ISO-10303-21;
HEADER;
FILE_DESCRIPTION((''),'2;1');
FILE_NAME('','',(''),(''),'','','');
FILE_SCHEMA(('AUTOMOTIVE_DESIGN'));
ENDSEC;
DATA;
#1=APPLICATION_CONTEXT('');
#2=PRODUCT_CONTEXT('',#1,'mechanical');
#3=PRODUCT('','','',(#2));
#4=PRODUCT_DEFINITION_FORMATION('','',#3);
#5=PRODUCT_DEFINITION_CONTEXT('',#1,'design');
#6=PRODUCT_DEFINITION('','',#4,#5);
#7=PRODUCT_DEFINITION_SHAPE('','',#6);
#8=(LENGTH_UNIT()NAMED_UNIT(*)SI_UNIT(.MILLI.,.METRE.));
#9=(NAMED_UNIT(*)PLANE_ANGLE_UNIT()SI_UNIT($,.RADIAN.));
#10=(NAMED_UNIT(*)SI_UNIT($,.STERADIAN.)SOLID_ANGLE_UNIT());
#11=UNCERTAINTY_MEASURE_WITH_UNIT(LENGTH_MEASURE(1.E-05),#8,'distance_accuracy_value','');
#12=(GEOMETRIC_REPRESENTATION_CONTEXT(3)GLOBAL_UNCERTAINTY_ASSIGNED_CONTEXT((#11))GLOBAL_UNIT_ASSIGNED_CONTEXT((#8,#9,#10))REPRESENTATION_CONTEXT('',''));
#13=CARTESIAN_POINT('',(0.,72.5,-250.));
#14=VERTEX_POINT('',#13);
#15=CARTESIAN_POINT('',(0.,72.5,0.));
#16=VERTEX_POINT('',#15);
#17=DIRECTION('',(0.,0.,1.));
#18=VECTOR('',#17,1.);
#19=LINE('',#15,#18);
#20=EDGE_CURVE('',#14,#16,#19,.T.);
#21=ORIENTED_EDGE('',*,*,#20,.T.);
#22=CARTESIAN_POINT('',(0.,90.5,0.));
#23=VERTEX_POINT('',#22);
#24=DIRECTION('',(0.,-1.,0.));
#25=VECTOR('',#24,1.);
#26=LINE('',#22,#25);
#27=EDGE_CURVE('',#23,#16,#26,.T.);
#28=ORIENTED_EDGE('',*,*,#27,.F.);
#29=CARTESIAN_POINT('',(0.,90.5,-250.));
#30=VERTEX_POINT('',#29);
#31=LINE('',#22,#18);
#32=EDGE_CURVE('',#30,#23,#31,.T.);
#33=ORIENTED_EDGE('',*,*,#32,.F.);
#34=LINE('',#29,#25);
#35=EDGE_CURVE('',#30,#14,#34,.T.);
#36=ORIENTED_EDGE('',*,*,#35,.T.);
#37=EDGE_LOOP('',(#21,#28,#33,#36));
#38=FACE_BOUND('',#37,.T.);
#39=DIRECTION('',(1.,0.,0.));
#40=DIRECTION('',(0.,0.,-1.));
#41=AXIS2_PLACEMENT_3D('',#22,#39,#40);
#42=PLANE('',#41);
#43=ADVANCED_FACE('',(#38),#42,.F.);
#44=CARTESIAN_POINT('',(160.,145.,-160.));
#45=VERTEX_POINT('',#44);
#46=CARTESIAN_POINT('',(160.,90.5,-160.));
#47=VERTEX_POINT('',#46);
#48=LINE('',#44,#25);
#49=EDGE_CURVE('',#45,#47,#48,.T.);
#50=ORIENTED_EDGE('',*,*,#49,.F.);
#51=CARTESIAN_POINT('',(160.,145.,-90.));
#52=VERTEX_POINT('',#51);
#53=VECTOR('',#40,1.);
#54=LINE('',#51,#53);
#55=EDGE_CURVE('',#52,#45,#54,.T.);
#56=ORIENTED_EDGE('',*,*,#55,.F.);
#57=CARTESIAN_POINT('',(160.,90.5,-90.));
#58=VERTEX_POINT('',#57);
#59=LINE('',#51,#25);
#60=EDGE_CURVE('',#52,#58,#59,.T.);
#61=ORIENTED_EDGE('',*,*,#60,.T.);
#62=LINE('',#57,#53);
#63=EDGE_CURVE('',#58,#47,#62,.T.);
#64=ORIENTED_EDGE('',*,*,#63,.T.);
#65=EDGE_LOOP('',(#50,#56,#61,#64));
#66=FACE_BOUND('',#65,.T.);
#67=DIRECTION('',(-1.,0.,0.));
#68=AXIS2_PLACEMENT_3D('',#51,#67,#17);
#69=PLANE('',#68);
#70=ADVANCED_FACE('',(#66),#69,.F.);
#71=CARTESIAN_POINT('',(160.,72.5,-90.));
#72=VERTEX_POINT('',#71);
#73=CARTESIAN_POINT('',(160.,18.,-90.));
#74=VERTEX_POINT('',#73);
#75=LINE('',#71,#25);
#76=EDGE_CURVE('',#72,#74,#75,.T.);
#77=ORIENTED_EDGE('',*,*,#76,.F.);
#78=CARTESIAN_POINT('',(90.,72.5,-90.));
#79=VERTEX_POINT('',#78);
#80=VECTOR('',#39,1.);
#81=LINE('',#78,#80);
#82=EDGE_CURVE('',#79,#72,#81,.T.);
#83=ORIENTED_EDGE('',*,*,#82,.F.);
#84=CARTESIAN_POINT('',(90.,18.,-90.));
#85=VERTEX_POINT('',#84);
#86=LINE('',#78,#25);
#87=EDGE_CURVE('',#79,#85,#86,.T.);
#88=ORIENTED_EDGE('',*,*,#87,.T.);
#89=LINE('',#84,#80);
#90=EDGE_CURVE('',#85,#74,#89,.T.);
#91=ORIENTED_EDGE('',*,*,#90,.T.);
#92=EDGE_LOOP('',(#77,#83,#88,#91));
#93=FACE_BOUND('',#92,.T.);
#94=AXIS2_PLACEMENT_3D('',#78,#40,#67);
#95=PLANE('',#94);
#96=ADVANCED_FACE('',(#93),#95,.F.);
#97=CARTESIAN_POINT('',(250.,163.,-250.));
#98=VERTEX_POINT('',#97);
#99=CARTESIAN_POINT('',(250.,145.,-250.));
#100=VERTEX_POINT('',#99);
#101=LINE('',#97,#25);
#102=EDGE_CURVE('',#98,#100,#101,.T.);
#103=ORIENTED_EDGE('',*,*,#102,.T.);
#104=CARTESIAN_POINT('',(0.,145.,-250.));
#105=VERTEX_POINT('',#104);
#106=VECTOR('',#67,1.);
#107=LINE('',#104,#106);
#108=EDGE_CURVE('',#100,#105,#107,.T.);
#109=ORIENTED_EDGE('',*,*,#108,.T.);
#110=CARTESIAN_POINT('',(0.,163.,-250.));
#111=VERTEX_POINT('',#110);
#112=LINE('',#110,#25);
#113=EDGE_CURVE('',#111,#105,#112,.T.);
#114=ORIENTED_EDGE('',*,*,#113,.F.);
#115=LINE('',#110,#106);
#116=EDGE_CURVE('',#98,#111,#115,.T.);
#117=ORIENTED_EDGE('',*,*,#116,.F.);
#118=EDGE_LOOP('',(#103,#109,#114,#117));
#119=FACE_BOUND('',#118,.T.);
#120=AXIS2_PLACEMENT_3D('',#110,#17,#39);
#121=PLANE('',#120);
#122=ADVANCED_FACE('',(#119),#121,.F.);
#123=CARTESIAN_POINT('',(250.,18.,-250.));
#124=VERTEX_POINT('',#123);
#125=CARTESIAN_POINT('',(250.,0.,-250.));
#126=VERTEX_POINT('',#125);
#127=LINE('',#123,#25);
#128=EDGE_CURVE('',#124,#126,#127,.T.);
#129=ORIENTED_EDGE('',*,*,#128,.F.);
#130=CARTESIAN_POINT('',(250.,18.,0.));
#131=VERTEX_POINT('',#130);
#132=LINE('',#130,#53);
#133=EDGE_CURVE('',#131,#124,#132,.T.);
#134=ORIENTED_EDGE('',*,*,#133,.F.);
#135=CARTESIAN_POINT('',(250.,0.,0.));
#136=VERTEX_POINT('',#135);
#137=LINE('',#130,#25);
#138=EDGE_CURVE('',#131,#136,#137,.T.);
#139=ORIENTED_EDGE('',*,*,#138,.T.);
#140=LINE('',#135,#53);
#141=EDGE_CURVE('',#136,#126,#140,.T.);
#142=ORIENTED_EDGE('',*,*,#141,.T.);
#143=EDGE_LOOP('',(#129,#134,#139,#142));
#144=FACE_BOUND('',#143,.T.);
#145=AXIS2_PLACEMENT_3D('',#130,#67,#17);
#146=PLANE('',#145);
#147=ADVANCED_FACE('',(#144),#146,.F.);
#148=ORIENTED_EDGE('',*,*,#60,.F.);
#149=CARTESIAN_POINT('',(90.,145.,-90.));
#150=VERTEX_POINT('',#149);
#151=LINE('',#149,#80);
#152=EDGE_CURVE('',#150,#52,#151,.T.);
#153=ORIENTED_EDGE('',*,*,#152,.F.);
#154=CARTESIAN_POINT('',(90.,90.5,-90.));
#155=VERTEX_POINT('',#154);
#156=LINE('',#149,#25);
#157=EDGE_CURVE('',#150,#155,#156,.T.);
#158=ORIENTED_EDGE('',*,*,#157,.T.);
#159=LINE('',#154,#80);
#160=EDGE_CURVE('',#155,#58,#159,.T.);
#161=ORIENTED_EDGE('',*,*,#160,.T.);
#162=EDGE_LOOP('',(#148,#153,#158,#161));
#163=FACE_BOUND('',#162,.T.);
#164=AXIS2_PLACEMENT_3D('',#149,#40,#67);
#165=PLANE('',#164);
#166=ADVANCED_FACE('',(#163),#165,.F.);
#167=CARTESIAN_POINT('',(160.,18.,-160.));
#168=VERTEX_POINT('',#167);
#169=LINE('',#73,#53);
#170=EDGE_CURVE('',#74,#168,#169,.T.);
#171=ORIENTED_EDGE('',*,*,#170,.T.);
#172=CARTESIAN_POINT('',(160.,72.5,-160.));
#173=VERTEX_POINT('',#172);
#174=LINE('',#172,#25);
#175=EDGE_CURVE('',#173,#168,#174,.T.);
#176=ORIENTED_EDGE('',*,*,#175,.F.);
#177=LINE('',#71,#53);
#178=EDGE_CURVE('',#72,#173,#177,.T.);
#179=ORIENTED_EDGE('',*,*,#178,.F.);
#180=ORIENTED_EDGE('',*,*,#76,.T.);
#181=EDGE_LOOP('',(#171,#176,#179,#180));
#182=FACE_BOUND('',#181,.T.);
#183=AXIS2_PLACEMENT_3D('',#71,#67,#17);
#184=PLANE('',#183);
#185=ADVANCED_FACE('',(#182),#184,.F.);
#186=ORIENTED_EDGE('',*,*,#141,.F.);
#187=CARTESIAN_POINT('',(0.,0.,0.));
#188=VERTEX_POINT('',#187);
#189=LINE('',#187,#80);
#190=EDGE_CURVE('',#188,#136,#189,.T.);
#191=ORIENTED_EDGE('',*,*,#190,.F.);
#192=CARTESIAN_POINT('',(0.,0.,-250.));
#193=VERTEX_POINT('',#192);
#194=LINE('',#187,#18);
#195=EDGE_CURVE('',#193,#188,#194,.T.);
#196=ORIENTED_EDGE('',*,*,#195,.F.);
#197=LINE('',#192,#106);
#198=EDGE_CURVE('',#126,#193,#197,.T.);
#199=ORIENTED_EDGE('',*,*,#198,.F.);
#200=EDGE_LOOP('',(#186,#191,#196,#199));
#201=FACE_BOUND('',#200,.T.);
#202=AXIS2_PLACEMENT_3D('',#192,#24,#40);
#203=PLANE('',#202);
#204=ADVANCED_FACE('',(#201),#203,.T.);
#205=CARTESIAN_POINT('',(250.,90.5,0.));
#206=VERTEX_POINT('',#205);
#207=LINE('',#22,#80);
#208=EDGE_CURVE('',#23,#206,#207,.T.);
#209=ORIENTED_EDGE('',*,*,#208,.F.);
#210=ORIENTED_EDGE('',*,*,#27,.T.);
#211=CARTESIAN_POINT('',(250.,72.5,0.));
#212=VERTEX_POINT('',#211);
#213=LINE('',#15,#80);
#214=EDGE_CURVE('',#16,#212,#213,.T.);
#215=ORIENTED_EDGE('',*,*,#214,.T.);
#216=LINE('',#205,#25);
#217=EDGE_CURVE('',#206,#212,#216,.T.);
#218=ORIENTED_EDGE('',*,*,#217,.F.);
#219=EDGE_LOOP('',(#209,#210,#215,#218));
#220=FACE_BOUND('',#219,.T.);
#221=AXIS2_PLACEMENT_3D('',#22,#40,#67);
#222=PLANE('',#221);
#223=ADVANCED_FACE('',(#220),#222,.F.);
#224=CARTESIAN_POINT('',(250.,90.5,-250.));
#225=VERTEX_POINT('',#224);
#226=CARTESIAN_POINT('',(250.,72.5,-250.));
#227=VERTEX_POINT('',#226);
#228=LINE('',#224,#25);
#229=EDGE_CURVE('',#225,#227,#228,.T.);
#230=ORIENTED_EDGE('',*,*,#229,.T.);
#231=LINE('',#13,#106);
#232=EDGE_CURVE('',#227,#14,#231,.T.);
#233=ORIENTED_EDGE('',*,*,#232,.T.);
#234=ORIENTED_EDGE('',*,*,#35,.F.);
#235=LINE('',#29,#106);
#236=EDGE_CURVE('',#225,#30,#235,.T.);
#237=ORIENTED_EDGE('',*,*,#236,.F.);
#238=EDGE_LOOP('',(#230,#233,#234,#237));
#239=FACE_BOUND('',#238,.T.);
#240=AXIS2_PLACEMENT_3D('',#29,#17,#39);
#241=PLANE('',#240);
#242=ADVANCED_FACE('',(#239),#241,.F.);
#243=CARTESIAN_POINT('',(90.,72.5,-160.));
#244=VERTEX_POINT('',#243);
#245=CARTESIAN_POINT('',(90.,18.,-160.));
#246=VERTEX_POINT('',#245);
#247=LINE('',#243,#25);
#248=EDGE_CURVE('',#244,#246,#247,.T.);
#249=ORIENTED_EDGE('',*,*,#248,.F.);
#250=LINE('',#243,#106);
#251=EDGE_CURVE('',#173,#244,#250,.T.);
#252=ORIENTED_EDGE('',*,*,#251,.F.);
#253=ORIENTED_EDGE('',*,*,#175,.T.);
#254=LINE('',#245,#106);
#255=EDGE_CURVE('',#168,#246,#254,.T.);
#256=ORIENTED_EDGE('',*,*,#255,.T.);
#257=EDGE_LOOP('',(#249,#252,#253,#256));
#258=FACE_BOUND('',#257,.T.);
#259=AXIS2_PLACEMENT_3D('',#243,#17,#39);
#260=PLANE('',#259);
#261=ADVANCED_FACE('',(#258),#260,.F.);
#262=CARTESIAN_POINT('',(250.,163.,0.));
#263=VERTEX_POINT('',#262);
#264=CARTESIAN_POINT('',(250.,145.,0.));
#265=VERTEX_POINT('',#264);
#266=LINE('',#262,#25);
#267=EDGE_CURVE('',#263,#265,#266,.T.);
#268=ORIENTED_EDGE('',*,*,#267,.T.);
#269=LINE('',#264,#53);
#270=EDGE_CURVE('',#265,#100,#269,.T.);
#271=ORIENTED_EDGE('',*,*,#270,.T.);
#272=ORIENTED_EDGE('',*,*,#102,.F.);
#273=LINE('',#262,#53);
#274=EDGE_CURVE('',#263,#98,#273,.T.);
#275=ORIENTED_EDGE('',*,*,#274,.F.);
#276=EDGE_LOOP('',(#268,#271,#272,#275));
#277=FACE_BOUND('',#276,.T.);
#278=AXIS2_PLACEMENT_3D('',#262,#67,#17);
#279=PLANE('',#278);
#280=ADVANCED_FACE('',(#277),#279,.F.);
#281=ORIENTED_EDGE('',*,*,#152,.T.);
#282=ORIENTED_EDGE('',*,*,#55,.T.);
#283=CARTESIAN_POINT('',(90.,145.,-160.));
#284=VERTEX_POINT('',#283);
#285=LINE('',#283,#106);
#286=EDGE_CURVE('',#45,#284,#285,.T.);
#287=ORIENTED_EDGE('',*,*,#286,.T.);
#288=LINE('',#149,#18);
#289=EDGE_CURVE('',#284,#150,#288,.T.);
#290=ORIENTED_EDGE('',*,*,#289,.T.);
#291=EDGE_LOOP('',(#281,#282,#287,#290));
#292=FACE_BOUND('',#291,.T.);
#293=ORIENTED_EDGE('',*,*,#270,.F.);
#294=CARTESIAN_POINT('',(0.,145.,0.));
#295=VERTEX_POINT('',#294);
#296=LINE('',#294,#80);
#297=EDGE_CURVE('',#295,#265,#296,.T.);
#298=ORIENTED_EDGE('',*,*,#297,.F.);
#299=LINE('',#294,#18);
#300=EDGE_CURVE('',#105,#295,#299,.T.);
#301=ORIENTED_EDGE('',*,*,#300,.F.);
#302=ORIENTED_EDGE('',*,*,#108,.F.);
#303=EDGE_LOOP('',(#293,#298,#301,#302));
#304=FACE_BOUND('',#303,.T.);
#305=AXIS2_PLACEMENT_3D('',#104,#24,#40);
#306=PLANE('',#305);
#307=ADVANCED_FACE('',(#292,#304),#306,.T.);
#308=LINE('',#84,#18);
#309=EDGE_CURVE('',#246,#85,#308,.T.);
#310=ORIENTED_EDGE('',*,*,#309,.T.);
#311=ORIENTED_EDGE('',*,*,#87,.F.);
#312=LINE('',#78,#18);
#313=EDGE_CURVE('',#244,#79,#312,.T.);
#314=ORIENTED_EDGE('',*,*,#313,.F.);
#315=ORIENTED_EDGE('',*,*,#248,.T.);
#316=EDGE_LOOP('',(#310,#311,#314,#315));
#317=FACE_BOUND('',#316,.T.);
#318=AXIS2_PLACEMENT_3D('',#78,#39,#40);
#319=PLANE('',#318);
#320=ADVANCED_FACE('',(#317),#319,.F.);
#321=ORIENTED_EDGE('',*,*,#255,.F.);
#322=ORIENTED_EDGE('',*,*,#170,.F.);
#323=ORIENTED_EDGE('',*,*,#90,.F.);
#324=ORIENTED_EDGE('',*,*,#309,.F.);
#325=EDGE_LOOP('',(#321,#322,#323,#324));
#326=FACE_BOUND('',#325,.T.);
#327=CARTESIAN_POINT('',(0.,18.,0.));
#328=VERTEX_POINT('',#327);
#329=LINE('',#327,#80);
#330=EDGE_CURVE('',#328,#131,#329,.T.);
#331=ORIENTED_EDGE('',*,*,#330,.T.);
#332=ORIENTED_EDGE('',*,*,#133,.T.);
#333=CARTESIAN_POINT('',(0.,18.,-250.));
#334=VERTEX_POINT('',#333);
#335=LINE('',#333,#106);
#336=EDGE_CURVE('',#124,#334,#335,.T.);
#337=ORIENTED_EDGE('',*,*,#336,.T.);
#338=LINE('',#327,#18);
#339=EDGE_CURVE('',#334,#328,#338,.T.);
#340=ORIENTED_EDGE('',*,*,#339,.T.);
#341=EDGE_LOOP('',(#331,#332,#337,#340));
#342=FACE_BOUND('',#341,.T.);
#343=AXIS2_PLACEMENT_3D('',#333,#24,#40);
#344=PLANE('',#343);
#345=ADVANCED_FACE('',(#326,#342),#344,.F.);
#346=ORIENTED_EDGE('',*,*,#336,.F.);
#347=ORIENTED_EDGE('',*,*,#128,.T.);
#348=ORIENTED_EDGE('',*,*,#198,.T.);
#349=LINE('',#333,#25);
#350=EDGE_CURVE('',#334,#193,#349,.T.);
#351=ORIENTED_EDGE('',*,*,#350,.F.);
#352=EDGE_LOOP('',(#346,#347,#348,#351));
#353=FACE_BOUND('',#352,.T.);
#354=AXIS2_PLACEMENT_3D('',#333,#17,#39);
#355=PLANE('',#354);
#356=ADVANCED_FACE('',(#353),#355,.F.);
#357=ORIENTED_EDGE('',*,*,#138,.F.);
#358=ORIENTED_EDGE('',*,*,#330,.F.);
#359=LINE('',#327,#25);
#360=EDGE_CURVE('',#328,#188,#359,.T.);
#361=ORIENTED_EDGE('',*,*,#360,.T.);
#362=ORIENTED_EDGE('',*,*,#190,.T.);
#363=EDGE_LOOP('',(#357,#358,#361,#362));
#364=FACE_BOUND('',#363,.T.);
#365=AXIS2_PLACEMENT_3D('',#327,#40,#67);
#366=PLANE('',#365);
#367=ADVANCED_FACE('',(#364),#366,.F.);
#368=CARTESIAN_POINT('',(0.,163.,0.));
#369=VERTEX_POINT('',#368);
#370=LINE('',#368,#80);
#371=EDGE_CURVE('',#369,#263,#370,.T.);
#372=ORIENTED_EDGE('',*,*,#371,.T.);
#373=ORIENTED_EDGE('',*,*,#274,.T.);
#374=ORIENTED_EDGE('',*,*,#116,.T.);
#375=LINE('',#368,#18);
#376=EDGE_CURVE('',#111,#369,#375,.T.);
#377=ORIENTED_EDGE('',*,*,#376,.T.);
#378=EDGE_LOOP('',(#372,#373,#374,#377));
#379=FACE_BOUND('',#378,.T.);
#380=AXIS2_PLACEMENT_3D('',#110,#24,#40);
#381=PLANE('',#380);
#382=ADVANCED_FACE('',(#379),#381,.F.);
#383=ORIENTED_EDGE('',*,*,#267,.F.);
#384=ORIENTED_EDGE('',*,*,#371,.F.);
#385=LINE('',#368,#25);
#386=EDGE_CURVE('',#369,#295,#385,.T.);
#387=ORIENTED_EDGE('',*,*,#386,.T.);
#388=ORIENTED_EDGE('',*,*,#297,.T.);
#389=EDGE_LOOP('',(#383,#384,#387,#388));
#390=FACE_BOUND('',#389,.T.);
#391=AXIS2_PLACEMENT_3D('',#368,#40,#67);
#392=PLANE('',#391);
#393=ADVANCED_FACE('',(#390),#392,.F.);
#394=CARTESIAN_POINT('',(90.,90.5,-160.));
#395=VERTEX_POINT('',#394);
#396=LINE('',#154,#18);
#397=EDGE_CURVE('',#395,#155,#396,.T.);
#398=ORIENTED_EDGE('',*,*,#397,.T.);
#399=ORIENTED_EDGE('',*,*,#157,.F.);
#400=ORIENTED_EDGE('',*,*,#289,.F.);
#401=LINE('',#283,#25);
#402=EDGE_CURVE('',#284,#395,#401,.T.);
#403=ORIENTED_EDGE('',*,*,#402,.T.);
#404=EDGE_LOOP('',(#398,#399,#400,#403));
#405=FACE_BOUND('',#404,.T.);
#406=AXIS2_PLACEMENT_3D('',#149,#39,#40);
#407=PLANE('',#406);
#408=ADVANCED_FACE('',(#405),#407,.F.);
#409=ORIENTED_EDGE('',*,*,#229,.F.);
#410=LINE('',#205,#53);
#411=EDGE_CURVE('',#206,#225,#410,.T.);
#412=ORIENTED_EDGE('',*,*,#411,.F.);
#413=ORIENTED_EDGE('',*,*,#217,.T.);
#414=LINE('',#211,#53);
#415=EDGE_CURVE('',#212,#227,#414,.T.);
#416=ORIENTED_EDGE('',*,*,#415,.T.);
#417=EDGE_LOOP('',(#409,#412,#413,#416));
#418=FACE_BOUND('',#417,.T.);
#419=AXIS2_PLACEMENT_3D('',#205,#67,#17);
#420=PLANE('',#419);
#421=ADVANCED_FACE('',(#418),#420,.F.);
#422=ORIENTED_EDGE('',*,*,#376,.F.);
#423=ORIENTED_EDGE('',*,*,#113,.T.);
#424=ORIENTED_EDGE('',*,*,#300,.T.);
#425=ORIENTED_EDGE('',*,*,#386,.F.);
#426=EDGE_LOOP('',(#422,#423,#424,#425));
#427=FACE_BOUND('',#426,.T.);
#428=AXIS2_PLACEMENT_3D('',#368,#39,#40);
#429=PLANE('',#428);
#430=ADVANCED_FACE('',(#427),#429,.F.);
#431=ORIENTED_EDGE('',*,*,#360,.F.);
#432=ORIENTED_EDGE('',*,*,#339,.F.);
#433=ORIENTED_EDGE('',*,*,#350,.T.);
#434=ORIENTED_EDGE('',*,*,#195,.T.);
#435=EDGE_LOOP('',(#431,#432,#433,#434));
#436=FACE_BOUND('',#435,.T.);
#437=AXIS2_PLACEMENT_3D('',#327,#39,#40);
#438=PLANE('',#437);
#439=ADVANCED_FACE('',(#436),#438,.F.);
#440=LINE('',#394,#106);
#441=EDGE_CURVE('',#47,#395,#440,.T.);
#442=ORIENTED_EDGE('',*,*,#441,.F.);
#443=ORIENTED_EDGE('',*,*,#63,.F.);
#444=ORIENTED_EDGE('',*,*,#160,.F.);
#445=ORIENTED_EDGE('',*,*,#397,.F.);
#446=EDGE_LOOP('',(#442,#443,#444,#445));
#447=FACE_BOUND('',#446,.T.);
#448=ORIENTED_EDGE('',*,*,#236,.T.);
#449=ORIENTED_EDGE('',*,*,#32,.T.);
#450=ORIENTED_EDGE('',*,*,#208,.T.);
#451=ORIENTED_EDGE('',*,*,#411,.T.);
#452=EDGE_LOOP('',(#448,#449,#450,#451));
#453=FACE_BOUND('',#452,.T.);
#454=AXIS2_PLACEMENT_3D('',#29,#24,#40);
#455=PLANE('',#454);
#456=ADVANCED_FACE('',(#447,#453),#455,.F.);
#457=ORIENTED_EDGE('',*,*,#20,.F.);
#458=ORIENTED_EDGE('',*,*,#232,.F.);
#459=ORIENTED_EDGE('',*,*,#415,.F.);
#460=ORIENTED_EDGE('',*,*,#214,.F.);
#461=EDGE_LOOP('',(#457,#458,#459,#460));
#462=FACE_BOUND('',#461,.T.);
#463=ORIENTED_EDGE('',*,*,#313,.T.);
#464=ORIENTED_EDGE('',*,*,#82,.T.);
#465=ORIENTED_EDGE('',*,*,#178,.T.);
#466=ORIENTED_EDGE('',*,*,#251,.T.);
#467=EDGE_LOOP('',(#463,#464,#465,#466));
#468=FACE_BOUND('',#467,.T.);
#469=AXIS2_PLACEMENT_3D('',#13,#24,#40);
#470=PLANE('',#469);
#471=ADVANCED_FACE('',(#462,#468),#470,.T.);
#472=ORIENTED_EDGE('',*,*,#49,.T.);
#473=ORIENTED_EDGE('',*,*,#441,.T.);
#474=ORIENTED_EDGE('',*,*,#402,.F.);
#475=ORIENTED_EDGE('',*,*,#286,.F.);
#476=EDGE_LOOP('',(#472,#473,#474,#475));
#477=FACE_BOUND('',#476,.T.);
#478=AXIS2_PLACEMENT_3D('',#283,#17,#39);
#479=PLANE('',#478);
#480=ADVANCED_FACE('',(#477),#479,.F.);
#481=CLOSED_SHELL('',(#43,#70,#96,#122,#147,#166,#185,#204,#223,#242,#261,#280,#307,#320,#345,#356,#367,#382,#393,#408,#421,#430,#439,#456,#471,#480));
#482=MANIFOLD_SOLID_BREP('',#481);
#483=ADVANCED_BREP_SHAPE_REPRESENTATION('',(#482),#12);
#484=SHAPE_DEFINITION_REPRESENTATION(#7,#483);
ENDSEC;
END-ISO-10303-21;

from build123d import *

# Parameters (mm, degrees)
ESQUISSE1_W      = 250
ESQUISSE1_H      = 250
EXTRUSION1_DEPTH = 18
ESQUISSE2_W      = 70
ESQUISSE2_H      = 70
EXTRUSION2_DEPTH = 54.5
ESQUISSE3_W      = 250
ESQUISSE3_H      = 250
EXTRUSION3_DEPTH = 18
ESQUISSE4_W      = 70
ESQUISSE4_H      = 70
EXTRUSION4_DEPTH = 54.5
ESQUISSE5_W      = 250
ESQUISSE5_H      = 250
EXTRUSION5_DEPTH = 18


with BuildPart() as part:
    # Esquisse1 → Extrusion1 (new body)
    with BuildSketch(Plane(origin=(0, 0, 0), x_dir=(1, 0, 0), z_dir=(0, 1, 0))):
        with Locations((125, 125)):
            Rectangle(ESQUISSE1_W, ESQUISSE1_H)
    extrude(amount=EXTRUSION1_DEPTH)

    # Esquisse2 → Extrusion2 (add)
    with BuildSketch(Plane(origin=(0, 18, 0), x_dir=(-1, 0, 0), z_dir=(0, 1, 0))):
        with Locations((-125, -125)):
            Rectangle(ESQUISSE2_W, ESQUISSE2_H)
    extrude(amount=EXTRUSION2_DEPTH)

    # Esquisse3 → Extrusion3 (add)
    with BuildSketch(Plane(origin=(0, 72.5, 0), x_dir=(1, 0, 0), z_dir=(0, 1, 0))):
        with Locations((125, 125)):
            Rectangle(ESQUISSE3_W, ESQUISSE3_H)
    extrude(amount=EXTRUSION3_DEPTH)

    # Esquisse4 → Extrusion4 (add)
    with BuildSketch(Plane(origin=(0, 90.5, 0), x_dir=(1, 0, 0), z_dir=(0, 1, 0))):
        with Locations((125, 125)):
            Rectangle(ESQUISSE4_W, ESQUISSE4_H)
    extrude(amount=EXTRUSION4_DEPTH)

    # Esquisse5 → Extrusion5 (add)
    with BuildSketch(Plane(origin=(0, 145, 0), x_dir=(1, 0, 0), z_dir=(0, 1, 0))):
        with Locations((125, 125)):
            Rectangle(ESQUISSE5_W, ESQUISSE5_H)
    extrude(amount=EXTRUSION5_DEPTH)


solid = part.part
